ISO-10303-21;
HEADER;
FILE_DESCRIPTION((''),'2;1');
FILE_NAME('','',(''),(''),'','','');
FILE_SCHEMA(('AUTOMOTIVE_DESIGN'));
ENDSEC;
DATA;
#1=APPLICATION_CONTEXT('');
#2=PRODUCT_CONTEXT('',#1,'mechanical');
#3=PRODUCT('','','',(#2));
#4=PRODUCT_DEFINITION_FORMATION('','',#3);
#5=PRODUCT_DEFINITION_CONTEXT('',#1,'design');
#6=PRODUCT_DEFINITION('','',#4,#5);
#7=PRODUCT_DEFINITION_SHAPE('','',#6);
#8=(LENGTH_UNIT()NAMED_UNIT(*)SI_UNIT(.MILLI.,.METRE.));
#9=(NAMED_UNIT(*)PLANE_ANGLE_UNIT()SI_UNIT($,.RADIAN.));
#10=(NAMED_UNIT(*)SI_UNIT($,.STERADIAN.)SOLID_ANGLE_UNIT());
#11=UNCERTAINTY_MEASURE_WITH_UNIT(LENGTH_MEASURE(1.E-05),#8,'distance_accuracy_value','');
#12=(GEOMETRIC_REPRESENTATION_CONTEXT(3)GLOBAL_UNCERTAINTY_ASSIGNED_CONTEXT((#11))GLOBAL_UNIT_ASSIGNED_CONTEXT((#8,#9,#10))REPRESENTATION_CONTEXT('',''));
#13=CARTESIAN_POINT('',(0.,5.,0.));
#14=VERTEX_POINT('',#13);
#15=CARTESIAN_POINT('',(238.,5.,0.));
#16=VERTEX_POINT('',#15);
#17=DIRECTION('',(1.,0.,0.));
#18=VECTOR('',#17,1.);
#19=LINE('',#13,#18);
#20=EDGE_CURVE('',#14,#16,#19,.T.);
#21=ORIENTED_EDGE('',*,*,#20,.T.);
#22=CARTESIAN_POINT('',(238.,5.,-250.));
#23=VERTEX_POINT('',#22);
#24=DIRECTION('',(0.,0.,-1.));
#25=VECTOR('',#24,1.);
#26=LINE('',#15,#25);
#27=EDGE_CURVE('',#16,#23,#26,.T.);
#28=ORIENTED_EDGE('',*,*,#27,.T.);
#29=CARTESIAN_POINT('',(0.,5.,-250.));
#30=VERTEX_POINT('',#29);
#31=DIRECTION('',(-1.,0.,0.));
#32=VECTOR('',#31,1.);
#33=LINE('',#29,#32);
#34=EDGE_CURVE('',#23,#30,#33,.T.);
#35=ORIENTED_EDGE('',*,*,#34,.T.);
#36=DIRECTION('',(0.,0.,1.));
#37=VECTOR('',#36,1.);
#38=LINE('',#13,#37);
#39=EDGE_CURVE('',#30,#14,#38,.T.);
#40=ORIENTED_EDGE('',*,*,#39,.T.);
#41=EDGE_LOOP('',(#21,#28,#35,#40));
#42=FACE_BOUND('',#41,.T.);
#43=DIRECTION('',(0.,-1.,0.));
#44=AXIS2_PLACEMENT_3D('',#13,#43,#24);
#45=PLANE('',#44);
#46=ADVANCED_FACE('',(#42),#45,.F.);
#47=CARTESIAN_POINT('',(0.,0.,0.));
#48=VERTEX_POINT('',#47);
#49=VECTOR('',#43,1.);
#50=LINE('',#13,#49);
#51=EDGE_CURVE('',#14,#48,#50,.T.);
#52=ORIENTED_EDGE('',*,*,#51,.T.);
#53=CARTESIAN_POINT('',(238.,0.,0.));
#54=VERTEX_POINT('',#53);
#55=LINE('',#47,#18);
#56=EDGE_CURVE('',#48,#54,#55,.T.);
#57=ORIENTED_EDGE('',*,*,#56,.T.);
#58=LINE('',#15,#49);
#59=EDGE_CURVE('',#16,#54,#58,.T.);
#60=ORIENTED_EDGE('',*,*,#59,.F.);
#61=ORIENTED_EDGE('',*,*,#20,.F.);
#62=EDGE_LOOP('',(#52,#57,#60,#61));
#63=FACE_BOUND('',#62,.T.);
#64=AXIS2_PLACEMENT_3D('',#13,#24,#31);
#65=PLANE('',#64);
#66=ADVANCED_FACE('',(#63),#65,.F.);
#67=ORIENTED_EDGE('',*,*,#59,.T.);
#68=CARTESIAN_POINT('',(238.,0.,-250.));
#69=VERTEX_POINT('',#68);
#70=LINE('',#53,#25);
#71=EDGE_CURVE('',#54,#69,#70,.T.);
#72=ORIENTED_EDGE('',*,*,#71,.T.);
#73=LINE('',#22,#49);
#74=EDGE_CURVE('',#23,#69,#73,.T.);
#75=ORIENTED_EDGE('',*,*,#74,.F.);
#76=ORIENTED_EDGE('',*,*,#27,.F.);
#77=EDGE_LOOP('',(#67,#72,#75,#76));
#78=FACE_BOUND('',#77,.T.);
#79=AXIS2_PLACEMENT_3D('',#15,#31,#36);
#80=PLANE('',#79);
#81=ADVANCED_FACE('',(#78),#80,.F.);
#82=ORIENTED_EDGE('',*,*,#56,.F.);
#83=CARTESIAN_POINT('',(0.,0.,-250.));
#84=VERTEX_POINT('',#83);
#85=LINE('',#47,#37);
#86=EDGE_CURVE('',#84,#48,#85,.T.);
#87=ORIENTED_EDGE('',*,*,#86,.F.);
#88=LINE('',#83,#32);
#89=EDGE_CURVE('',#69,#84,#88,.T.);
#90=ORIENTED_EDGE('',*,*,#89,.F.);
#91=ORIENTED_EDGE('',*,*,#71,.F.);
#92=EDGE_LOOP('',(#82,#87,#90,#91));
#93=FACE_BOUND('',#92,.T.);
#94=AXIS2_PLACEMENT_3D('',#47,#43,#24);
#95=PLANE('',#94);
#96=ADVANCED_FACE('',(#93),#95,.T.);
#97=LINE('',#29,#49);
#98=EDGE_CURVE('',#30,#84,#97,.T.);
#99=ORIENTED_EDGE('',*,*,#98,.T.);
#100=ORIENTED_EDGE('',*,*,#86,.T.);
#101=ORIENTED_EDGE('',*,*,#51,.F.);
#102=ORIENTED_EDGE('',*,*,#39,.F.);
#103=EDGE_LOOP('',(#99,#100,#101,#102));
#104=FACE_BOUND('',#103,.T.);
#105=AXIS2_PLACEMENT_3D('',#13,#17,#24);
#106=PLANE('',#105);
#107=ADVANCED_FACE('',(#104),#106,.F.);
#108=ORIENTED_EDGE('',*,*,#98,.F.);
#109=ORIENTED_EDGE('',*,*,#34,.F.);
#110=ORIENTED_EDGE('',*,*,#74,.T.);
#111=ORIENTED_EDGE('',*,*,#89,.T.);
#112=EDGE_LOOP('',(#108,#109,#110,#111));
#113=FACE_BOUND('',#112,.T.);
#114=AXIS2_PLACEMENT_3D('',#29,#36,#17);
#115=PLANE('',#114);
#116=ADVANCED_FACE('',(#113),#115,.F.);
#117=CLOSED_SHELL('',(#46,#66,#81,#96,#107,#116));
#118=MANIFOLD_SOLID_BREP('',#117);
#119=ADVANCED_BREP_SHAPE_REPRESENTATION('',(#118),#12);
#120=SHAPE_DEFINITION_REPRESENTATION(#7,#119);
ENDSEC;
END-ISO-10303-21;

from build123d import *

# Parameters (mm, degrees)
SKETCH_1_W      = 238
SKETCH_1_H      = 250
EXTRUDE_1_DEPTH = 5


with BuildPart() as part:
    # Эскиз1 → Бобышка-Вытянуть1 (new body)
    with BuildSketch(Plane(origin=(0, 0, 0), x_dir=(1, 0, 0), z_dir=(0, 1, 0))):
        with Locations((119, 125)):
            Rectangle(SKETCH_1_W, SKETCH_1_H)
    extrude(amount=EXTRUDE_1_DEPTH)


solid = part.part
